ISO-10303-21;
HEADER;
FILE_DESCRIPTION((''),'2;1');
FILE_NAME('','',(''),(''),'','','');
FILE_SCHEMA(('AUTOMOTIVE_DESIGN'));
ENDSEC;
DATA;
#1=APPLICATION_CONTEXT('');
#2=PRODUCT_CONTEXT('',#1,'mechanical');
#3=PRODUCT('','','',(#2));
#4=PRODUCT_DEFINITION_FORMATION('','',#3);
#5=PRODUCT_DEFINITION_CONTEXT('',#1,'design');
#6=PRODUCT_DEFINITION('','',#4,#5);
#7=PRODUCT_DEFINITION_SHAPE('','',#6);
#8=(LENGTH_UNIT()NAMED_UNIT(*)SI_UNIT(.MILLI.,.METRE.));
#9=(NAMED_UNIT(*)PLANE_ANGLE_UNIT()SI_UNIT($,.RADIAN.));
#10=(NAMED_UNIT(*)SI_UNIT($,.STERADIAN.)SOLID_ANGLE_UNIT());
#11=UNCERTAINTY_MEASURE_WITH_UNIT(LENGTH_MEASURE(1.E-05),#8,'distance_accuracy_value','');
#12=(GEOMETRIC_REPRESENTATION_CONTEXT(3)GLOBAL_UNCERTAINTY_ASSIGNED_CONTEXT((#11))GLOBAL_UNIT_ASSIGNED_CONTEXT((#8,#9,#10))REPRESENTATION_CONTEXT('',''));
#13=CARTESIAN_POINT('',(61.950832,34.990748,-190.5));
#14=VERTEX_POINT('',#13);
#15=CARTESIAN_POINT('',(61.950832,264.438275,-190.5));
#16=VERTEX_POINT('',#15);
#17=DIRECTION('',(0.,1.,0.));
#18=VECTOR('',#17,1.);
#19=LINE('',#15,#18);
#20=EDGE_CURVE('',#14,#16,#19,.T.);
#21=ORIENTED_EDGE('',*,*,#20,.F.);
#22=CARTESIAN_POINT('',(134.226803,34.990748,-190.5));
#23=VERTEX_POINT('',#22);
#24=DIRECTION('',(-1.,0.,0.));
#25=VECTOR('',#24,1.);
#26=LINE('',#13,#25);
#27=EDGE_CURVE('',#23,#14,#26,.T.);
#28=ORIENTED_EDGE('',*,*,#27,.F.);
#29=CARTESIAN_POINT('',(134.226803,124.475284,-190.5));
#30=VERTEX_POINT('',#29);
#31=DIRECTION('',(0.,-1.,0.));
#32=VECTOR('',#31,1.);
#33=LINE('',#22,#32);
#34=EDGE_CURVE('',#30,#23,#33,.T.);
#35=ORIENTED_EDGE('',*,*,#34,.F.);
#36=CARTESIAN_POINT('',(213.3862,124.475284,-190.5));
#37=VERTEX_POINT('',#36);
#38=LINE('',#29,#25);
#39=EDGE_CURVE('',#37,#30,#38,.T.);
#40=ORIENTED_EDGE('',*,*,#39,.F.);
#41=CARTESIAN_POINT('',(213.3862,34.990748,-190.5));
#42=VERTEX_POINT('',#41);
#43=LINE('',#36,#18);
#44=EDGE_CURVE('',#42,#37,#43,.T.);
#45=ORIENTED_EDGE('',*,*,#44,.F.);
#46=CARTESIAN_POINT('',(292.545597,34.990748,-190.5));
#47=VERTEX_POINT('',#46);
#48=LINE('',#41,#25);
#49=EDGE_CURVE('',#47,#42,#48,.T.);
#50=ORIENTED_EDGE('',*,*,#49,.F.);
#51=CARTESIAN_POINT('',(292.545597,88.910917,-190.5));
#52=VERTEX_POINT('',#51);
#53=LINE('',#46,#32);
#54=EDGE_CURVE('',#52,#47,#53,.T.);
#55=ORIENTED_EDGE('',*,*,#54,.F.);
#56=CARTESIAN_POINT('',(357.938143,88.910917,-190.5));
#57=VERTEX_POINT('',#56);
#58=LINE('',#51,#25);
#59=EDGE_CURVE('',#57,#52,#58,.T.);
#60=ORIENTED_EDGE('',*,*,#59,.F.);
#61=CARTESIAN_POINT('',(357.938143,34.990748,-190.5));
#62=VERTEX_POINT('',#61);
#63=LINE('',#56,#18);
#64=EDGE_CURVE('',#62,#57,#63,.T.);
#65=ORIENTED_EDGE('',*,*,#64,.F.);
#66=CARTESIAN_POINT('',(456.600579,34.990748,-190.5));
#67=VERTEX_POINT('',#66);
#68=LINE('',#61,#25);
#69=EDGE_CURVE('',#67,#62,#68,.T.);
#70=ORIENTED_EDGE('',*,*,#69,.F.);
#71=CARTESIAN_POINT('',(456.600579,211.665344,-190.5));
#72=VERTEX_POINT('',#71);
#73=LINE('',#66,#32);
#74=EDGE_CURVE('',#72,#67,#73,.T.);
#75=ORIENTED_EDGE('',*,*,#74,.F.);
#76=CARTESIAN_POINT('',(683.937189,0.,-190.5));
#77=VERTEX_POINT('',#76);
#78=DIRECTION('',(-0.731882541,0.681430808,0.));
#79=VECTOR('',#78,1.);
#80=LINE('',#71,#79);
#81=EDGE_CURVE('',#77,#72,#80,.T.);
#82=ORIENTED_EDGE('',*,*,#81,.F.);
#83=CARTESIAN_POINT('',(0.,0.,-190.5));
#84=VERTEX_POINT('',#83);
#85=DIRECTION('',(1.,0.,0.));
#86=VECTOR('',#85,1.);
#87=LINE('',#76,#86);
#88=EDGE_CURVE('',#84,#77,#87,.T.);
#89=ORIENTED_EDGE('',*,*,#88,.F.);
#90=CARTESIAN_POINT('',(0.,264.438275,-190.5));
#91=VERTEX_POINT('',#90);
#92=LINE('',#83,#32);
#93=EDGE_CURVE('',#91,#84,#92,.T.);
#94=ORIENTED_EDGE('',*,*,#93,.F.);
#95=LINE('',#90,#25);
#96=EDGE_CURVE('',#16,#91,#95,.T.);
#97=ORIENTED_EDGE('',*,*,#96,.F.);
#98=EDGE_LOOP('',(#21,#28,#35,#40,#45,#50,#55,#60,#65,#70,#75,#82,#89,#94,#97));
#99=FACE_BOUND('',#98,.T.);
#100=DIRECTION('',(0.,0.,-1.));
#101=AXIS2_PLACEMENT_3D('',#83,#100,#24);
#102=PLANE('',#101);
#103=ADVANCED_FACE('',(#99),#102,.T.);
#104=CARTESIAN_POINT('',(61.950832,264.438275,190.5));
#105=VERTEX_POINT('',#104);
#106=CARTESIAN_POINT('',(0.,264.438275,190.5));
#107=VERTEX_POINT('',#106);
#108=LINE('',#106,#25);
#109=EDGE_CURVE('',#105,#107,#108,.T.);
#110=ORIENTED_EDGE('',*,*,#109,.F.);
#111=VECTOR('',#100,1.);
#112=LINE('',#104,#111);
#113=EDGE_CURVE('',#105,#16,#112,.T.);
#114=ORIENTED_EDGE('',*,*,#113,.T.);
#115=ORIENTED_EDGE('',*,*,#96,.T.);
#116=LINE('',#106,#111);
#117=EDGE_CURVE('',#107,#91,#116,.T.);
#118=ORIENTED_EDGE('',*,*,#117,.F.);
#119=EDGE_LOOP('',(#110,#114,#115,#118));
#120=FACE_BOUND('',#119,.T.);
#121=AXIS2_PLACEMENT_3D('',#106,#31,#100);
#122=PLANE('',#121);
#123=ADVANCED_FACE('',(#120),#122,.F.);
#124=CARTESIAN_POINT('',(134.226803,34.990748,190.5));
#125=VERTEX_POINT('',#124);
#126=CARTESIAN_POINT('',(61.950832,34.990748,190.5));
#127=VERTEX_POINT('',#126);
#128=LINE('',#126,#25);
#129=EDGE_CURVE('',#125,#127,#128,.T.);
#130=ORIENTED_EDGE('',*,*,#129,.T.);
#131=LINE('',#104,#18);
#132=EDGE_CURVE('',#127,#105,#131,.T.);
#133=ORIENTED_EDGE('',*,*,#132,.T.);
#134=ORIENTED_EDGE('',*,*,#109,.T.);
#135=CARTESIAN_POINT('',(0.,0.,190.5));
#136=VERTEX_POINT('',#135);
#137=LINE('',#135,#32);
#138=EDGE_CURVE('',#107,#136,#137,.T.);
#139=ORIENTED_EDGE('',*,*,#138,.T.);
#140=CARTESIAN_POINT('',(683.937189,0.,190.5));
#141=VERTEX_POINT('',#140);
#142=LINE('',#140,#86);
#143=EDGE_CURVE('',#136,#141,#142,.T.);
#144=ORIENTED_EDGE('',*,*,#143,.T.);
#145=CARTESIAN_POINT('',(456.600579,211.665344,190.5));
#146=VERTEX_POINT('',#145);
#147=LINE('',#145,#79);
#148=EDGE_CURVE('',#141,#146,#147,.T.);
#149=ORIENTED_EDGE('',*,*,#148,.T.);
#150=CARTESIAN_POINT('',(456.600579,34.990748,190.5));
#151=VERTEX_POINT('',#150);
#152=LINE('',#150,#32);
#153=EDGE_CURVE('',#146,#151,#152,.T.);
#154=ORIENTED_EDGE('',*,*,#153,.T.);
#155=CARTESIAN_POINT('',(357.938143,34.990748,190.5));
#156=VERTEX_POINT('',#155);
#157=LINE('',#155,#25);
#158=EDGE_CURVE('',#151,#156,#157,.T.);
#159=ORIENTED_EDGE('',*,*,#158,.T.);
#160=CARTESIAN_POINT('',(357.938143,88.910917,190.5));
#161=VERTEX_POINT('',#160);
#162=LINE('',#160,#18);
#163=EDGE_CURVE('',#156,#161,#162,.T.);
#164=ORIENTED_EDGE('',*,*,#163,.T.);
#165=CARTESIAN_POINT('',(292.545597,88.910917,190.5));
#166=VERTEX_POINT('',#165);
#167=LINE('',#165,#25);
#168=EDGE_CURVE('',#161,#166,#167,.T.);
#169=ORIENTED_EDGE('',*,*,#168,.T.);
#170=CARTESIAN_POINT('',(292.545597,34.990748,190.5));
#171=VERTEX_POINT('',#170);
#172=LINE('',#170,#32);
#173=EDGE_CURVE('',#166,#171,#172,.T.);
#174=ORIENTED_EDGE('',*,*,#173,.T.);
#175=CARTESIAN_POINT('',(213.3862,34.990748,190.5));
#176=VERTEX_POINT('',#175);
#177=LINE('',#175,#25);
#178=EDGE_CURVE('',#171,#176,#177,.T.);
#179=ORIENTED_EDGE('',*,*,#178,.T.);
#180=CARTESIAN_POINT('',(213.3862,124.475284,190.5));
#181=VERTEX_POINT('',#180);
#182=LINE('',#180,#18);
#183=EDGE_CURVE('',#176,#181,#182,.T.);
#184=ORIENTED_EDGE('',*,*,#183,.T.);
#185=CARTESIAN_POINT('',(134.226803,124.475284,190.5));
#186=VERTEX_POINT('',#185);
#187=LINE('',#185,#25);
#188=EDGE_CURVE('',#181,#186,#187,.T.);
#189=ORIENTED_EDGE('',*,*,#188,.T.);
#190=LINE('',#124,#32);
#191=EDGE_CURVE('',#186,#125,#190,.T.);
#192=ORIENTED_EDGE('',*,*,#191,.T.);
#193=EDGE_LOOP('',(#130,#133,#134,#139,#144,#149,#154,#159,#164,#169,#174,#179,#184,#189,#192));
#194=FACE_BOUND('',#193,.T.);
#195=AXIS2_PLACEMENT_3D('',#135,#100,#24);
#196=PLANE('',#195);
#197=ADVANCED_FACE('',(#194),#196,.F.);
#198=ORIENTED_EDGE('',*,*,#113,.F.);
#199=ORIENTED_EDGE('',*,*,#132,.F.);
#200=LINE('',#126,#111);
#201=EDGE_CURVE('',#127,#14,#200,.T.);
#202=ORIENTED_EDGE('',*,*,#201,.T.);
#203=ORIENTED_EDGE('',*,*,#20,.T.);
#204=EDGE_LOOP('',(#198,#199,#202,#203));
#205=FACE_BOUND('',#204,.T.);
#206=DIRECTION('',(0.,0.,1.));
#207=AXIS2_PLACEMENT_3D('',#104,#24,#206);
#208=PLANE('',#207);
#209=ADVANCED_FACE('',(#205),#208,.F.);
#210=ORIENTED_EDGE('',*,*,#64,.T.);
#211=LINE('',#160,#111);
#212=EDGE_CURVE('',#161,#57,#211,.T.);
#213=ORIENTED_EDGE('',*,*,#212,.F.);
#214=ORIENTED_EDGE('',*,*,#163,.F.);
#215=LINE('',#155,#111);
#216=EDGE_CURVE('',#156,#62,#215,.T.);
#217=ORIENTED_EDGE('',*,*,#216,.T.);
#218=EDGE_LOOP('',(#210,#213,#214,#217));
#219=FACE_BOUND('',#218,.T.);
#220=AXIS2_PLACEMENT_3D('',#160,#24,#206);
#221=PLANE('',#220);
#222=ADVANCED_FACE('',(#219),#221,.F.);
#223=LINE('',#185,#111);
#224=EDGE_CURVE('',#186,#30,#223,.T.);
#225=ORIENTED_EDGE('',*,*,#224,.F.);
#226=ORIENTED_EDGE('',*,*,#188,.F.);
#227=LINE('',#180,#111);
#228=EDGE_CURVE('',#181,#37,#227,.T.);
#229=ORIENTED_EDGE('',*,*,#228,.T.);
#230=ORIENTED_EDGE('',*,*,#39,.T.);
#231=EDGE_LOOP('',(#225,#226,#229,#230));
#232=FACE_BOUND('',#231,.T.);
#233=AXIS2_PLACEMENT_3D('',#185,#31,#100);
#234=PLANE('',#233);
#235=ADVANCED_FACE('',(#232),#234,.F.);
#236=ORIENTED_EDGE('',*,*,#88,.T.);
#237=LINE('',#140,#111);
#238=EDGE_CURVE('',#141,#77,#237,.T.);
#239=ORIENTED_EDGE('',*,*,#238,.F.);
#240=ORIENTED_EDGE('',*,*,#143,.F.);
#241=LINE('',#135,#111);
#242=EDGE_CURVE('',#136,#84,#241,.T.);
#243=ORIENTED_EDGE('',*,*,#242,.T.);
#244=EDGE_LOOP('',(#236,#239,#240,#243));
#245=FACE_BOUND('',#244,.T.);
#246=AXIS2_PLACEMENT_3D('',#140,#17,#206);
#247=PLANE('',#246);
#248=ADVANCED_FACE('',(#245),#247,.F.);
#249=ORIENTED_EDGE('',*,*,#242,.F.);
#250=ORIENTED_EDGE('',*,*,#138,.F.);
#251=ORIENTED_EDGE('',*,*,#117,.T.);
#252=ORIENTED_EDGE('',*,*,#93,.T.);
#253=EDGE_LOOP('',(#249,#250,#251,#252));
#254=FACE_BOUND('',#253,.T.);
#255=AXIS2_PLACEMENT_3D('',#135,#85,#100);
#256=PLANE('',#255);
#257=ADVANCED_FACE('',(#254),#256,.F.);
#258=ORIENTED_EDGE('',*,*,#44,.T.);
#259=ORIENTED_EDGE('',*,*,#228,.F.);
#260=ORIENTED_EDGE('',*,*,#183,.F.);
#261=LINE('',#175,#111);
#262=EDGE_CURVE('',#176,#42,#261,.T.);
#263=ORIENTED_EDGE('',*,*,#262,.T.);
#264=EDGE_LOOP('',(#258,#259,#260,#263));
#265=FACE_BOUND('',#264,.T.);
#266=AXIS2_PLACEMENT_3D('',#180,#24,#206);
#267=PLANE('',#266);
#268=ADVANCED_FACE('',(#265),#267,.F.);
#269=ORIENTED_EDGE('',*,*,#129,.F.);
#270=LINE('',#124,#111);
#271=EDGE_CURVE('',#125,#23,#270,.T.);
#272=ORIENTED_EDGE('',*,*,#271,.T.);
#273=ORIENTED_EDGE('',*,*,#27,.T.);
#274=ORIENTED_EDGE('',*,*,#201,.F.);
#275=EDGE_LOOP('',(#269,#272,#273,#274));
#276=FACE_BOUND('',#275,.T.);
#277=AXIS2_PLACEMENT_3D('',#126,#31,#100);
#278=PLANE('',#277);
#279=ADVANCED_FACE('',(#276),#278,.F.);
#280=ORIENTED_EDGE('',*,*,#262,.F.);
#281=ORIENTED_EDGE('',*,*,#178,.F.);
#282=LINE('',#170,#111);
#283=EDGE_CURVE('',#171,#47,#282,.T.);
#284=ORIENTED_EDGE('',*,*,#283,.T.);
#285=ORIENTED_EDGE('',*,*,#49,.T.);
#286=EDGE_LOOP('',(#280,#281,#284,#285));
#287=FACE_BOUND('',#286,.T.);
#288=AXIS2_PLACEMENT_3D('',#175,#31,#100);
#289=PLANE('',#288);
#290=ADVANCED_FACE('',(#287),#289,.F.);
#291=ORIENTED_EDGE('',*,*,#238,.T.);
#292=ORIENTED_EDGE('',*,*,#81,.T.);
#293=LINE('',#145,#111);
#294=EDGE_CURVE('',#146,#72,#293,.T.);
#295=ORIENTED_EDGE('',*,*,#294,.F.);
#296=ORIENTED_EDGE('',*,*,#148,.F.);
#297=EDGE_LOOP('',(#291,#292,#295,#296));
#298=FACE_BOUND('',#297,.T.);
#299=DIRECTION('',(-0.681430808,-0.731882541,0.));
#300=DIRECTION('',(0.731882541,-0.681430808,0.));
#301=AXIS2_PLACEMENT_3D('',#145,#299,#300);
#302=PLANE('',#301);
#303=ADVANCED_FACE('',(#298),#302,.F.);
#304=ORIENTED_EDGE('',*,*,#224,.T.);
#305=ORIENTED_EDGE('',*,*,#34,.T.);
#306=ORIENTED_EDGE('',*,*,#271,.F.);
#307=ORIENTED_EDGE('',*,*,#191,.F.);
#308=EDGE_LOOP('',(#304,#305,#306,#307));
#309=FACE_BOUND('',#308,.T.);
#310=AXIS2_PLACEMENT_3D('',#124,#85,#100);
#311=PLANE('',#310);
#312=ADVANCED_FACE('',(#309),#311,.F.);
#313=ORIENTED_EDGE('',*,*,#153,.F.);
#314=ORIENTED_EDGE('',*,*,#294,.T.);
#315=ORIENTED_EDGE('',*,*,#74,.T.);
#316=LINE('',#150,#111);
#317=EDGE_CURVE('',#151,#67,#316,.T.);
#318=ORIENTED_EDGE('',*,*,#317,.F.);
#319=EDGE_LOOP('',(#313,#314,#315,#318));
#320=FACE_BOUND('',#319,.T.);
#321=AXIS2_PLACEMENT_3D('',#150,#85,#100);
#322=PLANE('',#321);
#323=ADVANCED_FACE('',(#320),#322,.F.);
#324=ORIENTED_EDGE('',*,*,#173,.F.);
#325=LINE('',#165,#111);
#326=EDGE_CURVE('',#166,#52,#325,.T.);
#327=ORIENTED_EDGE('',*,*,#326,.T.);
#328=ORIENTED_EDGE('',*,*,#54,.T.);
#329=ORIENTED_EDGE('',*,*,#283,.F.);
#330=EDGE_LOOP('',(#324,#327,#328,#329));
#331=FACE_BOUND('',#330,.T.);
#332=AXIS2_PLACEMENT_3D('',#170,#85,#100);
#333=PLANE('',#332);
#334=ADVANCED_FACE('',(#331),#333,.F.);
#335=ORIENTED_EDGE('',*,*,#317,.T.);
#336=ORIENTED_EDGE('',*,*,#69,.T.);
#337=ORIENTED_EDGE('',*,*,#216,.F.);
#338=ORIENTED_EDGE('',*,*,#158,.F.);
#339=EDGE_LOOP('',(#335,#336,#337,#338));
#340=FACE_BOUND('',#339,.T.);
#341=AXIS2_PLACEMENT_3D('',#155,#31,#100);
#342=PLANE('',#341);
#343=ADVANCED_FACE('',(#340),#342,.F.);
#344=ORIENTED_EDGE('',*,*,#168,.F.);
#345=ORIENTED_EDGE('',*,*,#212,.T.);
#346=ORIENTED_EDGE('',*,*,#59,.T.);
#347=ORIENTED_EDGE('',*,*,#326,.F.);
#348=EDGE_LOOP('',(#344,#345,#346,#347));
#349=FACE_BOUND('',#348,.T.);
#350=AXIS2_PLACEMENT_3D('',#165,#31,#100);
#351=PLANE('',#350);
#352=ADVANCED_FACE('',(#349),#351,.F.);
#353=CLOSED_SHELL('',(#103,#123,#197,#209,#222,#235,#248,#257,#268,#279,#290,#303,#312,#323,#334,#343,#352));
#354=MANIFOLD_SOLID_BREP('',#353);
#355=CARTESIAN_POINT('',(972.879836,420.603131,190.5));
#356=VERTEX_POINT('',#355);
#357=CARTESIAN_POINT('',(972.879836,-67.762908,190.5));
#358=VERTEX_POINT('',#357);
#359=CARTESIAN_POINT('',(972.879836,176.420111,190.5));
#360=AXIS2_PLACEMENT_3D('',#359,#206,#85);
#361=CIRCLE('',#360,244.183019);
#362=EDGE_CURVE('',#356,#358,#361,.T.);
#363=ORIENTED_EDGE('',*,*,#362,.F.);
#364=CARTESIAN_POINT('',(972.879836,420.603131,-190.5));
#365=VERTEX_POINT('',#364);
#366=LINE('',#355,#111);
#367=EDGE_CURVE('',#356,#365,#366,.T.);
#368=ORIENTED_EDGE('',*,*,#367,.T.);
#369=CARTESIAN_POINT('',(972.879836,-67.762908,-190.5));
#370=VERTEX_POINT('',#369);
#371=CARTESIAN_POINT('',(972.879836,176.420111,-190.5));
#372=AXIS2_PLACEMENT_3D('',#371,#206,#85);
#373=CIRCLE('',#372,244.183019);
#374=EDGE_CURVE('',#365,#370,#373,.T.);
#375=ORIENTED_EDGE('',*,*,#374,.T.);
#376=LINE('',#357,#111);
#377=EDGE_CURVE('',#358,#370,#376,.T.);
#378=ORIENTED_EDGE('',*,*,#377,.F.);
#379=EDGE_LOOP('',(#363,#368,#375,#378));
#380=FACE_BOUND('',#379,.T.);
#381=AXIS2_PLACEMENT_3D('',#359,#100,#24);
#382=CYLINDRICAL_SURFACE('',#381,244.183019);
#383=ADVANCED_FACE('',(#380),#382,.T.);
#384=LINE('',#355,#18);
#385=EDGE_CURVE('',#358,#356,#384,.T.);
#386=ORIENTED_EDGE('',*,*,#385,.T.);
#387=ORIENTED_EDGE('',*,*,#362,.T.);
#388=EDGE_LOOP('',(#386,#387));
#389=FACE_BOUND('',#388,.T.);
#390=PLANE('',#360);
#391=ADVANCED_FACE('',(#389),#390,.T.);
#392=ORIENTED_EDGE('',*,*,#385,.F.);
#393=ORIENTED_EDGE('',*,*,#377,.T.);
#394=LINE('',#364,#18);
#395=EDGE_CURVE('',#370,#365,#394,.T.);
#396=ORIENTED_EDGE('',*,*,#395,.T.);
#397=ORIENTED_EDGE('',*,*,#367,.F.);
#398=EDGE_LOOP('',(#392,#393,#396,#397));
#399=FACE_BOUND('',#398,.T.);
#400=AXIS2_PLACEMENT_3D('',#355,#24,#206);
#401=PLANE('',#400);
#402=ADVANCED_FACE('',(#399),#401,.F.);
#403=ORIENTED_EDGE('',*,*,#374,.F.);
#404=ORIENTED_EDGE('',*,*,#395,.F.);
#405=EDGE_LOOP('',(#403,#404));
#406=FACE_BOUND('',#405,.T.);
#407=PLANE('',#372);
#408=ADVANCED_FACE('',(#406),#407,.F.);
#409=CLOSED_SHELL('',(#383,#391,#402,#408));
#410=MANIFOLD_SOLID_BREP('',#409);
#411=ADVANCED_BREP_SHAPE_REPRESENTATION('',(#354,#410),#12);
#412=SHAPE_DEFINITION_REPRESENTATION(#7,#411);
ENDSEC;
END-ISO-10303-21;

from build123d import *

# Parameters (mm, degrees)
BOSS_EXTRUDE1_DEPTH   = 190.5
BOSS_EXTRUDE1_2_DEPTH = 190.5


with BuildPart() as part:
    # Sketch1 → Boss-Extrude1 (new, symmetric)
    with BuildSketch(Plane.XY):
        Polygon((0, 0), (0, 264.438275148), (61.950832356, 264.438275148), (61.950832356, 34.990747905), (134.226803438, 34.990747905), (134.226803438, 124.47528353), (213.386200337, 124.47528353), (213.386200337, 34.990747905), (292.545597236, 34.990747905), (292.545597236, 88.910916807), (357.9381425, 88.910916807), (357.9381425, 34.990747905), (456.600579215, 34.990747905), (456.600579215, 211.665343882), (683.937189208, 0), align=None)
    extrude(amount=BOSS_EXTRUDE1_DEPTH, both=True)


with BuildPart() as body_2:
    # Sketch1 → Boss-Extrude1 2 (new, symmetric)
    with BuildSketch(Plane.XY):
        with BuildLine():
            Line((972.879836168, 420.603130604), (972.879836168, -67.762908332))
            ThreePointArc((972.879836168, -67.762908332), (728.696816701, 176.420111136), (972.879836168, 420.603130604))
        make_face()
    extrude(amount=BOSS_EXTRUDE1_2_DEPTH, both=True)


solid = Compound([part.part, body_2.part])
